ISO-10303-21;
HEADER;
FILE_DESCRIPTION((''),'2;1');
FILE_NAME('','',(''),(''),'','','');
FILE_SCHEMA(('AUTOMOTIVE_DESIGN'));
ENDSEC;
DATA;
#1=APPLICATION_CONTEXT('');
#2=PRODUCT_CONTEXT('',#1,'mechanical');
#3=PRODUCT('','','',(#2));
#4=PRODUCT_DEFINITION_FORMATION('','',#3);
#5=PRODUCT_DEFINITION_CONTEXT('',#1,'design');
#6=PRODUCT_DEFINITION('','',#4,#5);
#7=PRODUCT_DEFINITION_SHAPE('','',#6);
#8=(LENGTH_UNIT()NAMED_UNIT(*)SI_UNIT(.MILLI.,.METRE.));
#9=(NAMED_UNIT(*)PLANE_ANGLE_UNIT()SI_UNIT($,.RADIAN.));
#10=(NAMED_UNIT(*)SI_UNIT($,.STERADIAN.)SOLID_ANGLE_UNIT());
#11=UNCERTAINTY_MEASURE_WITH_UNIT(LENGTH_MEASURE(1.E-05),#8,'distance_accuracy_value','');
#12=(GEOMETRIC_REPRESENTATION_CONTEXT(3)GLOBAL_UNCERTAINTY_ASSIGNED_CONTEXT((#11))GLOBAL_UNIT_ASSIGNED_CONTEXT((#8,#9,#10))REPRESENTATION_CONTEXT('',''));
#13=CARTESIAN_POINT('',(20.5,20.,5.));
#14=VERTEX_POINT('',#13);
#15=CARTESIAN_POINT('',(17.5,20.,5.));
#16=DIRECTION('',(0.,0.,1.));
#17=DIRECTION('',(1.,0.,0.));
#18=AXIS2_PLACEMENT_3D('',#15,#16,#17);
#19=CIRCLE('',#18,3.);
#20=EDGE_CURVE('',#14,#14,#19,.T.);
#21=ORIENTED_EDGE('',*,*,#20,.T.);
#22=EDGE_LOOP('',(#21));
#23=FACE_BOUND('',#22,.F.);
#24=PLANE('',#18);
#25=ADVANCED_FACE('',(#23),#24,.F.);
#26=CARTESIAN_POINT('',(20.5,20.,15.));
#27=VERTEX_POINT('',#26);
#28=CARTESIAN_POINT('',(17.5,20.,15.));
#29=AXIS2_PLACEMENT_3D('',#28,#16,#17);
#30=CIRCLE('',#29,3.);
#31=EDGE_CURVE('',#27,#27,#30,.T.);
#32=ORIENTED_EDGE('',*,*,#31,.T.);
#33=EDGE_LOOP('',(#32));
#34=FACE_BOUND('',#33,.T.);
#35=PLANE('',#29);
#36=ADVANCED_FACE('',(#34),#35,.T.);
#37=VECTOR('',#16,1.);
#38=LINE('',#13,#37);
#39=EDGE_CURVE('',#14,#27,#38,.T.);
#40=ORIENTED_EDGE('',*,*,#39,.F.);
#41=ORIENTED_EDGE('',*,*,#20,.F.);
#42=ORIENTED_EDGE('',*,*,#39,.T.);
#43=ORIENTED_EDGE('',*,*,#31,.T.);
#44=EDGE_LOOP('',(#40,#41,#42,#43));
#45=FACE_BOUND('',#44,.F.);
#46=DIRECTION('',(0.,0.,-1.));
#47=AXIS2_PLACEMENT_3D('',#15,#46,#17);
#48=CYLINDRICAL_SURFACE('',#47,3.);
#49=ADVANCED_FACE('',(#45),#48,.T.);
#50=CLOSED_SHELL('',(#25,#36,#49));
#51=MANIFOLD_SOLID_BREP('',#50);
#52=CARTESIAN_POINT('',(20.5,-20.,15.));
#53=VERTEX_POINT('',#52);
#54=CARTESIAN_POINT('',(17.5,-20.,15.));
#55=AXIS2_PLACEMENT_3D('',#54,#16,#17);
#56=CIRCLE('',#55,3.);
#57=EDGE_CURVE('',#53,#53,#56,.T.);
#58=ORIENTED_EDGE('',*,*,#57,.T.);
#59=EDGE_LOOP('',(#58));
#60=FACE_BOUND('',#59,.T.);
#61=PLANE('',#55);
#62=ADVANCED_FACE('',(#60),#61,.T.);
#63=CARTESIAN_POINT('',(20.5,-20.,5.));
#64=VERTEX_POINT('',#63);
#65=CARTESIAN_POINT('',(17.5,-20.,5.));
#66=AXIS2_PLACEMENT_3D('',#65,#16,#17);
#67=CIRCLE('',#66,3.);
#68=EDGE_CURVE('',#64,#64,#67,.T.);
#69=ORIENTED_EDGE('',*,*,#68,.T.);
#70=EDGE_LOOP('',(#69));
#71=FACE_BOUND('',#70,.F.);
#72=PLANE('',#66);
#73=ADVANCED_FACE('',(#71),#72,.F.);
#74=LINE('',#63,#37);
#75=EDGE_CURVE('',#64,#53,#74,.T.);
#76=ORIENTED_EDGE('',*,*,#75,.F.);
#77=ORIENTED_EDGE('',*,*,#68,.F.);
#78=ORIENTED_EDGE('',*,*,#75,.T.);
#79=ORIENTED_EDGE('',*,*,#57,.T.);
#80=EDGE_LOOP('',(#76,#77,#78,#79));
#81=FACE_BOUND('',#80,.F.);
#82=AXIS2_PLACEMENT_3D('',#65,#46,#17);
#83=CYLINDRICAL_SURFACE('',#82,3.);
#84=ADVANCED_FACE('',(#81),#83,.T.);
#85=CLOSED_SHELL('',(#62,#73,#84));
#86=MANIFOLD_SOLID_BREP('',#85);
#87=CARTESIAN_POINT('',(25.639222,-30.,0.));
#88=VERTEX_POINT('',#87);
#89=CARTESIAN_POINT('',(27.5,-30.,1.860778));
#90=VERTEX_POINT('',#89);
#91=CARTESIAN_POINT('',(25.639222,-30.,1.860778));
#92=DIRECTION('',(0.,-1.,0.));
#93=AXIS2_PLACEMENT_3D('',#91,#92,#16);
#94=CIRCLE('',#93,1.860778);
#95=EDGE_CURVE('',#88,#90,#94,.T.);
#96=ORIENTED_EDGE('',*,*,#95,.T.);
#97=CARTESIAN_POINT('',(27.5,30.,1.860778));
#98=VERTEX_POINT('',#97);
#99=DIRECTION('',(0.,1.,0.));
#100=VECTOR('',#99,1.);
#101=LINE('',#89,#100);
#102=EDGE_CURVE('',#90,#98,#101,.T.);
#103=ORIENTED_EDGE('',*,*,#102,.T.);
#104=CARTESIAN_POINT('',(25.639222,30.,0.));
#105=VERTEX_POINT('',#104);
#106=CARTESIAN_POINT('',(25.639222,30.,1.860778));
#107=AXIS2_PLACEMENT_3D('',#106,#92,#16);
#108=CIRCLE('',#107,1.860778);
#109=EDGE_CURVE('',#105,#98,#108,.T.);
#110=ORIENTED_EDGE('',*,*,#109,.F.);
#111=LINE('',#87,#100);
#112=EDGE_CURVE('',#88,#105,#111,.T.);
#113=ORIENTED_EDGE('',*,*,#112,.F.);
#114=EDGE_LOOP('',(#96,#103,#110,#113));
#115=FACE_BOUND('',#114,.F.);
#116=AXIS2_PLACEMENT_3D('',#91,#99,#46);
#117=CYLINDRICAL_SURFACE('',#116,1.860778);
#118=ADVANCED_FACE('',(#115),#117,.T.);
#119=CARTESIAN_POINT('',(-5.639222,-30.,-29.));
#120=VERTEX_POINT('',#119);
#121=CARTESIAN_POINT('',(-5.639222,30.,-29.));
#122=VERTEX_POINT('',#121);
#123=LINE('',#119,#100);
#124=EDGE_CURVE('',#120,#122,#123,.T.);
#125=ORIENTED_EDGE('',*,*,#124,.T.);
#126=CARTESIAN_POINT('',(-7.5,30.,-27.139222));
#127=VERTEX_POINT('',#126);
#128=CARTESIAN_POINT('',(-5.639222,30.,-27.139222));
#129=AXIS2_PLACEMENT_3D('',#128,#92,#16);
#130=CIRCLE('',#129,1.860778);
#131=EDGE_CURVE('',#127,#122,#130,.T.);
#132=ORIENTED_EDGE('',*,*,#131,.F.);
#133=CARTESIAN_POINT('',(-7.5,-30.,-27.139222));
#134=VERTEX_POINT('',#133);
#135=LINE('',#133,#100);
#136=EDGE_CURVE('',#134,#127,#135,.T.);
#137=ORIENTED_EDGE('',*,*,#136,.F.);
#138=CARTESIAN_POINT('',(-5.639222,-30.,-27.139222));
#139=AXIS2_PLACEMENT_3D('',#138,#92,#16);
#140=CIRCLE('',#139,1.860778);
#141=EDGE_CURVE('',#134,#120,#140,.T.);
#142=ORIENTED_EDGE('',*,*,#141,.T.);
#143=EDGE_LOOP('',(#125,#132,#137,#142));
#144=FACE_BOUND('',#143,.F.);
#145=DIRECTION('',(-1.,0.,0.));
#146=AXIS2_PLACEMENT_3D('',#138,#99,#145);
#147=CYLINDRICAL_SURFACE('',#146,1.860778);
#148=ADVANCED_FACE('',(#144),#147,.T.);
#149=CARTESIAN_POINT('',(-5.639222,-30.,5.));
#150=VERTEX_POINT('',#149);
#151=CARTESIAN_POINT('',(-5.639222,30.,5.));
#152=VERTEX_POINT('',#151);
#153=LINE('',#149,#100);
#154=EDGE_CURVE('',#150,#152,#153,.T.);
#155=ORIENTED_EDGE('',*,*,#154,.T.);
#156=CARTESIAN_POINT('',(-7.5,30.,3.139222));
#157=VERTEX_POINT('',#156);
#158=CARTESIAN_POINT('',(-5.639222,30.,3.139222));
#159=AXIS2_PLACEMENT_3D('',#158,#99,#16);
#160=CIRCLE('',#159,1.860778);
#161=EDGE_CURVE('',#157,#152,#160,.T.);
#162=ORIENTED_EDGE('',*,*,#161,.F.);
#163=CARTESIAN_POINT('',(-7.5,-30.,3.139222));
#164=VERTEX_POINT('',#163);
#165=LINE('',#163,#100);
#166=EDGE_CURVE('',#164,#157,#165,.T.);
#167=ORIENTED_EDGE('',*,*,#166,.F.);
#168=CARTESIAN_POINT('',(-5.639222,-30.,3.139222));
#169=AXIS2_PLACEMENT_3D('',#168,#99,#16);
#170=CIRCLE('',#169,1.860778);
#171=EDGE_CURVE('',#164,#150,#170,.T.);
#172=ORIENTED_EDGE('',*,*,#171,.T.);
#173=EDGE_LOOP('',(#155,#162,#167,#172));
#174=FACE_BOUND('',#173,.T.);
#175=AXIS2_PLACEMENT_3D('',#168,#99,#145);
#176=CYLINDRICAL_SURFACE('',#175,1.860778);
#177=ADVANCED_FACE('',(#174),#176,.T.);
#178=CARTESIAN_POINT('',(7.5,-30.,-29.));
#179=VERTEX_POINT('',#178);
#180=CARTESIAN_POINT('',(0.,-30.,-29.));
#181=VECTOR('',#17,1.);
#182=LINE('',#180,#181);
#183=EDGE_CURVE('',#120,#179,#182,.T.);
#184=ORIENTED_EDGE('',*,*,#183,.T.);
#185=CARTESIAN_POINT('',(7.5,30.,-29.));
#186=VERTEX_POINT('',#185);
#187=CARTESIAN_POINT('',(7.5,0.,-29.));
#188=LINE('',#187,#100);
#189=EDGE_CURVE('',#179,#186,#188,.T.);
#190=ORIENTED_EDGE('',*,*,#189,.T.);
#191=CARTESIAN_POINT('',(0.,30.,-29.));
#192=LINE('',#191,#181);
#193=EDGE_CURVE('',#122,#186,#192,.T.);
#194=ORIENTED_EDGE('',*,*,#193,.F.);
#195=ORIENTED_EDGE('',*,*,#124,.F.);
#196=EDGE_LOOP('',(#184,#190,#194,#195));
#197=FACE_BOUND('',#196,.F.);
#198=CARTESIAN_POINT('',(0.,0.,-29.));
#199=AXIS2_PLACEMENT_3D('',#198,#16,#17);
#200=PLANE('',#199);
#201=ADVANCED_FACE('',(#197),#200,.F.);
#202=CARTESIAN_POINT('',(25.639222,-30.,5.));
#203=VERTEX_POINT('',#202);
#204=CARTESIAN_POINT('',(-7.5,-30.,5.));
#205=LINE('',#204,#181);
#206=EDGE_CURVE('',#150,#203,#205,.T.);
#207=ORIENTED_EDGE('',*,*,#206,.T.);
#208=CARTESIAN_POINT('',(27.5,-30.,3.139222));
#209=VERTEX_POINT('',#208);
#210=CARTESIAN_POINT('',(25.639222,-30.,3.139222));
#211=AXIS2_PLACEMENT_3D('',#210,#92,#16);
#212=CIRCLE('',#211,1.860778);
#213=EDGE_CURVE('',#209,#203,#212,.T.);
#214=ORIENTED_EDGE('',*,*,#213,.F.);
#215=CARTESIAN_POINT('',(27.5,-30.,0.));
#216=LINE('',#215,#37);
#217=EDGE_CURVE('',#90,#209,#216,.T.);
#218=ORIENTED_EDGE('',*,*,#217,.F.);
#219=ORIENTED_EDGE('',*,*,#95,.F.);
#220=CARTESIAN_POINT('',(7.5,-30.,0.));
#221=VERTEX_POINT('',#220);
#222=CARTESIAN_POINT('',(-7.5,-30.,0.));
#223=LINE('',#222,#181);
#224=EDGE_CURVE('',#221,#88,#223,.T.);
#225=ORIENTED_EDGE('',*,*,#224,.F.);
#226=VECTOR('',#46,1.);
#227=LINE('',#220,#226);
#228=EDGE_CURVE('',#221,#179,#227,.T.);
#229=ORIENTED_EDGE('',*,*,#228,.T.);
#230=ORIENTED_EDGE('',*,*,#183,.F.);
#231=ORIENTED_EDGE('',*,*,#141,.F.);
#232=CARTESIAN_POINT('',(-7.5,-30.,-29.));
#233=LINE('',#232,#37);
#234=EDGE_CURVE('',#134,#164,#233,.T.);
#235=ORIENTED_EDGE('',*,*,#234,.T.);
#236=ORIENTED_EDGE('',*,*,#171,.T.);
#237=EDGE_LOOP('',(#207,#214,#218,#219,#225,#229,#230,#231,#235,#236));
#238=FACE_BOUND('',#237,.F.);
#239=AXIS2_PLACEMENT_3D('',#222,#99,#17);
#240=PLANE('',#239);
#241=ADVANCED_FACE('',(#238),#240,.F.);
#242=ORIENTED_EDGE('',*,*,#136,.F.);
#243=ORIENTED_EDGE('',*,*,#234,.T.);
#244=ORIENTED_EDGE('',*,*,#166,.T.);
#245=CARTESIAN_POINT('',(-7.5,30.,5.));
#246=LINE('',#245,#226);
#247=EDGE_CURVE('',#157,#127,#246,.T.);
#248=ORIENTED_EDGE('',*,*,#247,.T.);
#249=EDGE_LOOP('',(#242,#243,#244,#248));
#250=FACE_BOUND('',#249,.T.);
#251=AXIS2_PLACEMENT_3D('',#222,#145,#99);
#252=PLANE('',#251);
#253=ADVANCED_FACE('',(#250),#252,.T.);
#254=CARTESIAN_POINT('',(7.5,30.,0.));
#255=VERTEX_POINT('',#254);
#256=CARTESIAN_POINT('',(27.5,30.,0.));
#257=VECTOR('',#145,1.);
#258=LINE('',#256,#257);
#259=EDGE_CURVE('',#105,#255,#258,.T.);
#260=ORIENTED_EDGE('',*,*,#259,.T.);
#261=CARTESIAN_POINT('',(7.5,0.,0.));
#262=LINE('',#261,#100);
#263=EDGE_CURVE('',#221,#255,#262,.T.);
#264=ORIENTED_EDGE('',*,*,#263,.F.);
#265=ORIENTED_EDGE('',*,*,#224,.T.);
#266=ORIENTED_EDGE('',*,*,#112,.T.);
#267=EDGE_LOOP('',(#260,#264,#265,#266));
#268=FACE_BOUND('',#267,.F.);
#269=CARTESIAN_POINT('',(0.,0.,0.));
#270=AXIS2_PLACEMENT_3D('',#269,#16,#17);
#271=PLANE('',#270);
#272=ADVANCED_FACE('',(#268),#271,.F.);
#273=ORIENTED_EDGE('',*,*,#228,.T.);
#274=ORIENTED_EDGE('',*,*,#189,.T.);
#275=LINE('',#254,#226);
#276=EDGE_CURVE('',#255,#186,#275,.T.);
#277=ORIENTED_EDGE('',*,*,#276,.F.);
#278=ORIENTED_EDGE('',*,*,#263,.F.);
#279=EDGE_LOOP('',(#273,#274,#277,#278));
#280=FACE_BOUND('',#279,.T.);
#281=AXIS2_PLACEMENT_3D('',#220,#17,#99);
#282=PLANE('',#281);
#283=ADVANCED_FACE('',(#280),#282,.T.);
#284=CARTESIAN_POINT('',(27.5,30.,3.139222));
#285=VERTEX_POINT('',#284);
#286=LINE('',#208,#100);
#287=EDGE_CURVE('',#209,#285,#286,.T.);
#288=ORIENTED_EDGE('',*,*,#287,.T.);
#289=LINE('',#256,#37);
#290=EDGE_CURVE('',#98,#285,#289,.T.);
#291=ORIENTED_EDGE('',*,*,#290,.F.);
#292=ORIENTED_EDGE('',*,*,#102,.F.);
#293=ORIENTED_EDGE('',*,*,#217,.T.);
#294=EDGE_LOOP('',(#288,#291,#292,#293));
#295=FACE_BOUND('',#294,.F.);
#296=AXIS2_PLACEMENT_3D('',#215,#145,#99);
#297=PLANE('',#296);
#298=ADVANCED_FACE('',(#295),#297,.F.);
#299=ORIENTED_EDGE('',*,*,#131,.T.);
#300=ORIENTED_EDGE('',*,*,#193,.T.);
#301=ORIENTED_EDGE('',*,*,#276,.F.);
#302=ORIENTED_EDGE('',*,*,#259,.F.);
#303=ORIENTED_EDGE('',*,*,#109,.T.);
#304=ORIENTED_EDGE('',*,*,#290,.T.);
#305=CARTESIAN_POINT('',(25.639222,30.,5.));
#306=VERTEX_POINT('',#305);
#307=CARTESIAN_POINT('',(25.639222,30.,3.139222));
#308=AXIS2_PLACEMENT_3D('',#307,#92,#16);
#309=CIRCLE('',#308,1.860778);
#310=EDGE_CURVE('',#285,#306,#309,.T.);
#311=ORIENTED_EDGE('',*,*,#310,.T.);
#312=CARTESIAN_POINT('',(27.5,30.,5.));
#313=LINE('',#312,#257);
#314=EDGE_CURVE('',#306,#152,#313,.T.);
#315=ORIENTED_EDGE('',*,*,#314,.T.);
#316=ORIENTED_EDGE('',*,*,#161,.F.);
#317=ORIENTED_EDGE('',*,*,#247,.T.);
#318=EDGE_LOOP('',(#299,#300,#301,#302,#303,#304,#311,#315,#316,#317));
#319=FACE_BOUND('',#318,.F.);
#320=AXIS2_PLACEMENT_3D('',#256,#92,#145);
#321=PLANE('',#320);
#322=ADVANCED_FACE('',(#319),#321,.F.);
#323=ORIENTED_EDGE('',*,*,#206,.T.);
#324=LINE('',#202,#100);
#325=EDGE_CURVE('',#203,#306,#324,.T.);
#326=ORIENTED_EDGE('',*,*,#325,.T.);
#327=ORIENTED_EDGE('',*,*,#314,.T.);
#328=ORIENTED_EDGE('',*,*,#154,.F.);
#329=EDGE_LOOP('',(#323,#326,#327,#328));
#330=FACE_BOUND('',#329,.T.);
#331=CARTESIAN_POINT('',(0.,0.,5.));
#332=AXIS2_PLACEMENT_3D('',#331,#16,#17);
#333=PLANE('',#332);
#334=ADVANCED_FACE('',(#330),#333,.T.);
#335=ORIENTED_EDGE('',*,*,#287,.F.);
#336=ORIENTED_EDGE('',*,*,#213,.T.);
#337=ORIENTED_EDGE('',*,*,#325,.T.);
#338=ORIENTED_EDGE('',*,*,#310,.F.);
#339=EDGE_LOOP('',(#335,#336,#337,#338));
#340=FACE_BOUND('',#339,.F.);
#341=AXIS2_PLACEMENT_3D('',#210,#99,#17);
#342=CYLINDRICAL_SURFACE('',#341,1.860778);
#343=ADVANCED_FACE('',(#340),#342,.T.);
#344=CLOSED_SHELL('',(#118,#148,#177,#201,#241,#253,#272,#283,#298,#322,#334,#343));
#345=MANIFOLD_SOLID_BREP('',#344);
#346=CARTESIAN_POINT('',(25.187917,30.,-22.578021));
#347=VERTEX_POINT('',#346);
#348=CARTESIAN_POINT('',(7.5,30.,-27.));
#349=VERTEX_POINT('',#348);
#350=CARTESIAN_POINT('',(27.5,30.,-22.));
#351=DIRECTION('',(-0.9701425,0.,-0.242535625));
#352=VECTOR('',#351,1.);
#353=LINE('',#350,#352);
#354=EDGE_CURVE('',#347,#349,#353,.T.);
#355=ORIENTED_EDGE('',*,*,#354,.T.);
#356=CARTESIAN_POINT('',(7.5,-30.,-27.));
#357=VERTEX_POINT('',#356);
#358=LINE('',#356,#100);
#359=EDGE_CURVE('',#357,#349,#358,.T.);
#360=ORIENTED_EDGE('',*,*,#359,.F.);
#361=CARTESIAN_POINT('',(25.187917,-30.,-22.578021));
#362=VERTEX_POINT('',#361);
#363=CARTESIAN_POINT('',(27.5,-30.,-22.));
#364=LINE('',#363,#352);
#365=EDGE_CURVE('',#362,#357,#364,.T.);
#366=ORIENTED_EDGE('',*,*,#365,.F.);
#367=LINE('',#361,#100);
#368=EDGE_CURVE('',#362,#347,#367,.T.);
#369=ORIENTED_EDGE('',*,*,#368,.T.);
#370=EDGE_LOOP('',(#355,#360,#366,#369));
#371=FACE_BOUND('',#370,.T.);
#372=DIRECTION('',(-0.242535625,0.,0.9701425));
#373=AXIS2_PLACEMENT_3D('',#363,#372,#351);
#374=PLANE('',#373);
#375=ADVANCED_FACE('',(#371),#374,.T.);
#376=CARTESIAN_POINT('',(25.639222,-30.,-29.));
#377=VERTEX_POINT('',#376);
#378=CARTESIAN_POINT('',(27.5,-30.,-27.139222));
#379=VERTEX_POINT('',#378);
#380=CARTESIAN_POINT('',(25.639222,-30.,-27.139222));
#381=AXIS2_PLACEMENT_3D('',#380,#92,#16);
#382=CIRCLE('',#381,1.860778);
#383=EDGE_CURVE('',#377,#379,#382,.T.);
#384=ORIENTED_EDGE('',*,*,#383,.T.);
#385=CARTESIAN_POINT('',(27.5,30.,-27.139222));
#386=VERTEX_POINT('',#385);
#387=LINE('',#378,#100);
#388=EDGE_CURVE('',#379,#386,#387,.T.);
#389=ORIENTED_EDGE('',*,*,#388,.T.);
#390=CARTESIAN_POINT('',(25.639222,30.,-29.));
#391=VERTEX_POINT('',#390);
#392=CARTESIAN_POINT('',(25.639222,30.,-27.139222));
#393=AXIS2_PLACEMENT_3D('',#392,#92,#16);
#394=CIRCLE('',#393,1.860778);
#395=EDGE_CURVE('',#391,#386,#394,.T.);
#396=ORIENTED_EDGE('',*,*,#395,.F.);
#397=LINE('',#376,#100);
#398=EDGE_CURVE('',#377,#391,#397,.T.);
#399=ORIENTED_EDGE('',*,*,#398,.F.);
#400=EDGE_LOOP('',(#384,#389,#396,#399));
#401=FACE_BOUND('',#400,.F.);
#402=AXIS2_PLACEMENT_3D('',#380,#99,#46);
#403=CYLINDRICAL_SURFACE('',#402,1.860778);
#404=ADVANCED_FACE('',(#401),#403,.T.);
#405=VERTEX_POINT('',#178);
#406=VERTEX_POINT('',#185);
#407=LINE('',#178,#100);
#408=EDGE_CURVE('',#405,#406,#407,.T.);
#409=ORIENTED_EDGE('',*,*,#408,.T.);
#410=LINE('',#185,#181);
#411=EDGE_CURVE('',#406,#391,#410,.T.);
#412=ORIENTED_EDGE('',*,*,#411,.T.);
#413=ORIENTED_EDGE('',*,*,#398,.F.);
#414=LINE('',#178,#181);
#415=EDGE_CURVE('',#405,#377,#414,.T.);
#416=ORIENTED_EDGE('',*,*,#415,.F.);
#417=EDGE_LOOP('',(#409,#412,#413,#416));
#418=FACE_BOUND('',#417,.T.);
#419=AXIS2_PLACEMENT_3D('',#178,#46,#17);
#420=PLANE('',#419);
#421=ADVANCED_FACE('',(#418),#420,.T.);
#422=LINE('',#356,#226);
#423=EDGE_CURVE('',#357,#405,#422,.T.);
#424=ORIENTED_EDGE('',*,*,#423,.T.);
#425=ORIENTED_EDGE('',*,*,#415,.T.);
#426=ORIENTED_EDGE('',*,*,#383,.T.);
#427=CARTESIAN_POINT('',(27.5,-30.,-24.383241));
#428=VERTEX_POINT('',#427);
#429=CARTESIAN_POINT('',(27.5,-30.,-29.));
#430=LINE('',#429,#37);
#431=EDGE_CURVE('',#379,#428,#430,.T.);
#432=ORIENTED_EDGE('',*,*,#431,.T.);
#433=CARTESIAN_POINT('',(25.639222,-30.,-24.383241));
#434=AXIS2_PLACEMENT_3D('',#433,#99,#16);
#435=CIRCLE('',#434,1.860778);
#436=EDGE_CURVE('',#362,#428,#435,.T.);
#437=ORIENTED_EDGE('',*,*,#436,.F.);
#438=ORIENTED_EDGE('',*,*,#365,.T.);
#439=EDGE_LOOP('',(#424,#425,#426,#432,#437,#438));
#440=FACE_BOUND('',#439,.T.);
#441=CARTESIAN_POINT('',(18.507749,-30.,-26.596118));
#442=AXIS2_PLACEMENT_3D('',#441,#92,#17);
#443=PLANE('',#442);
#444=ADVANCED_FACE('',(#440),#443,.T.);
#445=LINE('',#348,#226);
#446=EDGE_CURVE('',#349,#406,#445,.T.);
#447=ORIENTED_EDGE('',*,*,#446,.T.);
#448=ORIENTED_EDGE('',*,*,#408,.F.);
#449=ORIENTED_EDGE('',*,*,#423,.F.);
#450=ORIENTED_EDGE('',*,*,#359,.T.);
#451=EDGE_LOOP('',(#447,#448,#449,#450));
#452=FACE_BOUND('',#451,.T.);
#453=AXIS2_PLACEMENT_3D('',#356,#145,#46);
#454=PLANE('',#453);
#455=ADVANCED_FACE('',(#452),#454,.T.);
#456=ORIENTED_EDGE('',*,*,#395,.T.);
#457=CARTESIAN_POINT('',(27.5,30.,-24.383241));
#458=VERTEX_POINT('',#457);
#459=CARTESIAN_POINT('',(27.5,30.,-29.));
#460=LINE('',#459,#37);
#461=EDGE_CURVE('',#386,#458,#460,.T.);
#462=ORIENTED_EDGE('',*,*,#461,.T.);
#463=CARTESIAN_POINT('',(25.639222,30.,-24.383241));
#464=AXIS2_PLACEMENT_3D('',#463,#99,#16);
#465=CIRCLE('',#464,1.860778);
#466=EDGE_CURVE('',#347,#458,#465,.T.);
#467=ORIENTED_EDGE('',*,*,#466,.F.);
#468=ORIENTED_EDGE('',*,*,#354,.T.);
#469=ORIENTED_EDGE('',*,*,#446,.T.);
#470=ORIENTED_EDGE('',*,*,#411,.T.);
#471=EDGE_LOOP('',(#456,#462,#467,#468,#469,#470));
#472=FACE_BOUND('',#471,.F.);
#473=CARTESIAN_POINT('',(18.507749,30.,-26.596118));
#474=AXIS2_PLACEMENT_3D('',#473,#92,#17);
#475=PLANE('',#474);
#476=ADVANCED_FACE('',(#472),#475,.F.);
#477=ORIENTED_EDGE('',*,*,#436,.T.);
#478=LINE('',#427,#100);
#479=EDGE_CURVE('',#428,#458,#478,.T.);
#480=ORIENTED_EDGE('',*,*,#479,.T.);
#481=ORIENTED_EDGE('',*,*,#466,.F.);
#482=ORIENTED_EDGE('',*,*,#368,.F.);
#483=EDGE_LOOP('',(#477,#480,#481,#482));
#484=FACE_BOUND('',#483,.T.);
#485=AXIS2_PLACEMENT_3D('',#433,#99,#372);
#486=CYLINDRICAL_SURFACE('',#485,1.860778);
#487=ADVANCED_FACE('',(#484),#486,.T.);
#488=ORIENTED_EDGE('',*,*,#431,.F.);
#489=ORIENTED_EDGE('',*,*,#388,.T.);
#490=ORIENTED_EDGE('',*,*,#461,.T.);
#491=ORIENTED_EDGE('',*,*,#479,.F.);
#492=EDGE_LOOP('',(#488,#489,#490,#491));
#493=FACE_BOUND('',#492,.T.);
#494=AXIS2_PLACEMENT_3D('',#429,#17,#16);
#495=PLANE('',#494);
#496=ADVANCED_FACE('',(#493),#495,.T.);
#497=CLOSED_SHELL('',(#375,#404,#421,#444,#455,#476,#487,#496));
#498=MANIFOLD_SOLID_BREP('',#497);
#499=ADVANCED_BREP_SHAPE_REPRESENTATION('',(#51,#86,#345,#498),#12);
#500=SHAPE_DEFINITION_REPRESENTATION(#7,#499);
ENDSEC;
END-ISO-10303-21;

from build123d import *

# Parameters (mm, degrees)
F0_W     = 15
F0_H     = 60
F1_DEPTH = 29
F2_W     = 15
F2_H     = 60
F2_W_2   = 20
F3_DEPTH = 5
F4_R     = 3
F5_DEPTH = 10
F7_DEPTH = 60
F8_R     = 1.860778
F8_2_R   = 1.860778


with BuildPart() as f1:
    # F0 (on Top) → F1 (new body)
    with BuildSketch(Plane.XY):
        Rectangle(F0_W, F0_H)
    extrude(amount=-F1_DEPTH)

    # F2 (on face) → F3 (join)
    with BuildSketch(Plane.XY):
        Rectangle(F2_W, F2_H)
        with Locations((17.5, 0)):
            Rectangle(F2_W_2, F2_H)
    extrude(amount=F3_DEPTH)

    # F8#2
    f8_2_edges = [f1.edges().sort_by_distance(p)[0] for p in [
        (27.5, 0, 5),
        (27.5, 0, 0),
        (-7.5, 0, 5),
        (-7.5, 0, -29),
    ]]
    fillet(f8_2_edges, radius=F8_2_R)


with BuildPart() as f5:
    # F4 (on face) → F5 (new body)
    with BuildSketch(Plane.XY.offset(5)):
        with Locations((17.5, -20)):
            Circle(F4_R)
        with Locations((17.5, 20)):
            Circle(F4_R)
    extrude(amount=F5_DEPTH)


with BuildPart() as f7:
    # F6 (on face) → F7 (new body, through all)
    with BuildSketch(Plane.XZ.offset(30)):
        Polygon((27.5, -22), (7.5, -27), (7.5, -29), (27.5, -29), align=None)
    extrude(amount=-F7_DEPTH)

    # F8
    f8_edges = [f7.edges().sort_by_distance(p)[0] for p in [
        (27.5, 0, -22),
        (27.5, 0, -29),
    ]]
    fillet(f8_edges, radius=F8_R)


solid = Compound([f1.part, f5.part, f7.part])
